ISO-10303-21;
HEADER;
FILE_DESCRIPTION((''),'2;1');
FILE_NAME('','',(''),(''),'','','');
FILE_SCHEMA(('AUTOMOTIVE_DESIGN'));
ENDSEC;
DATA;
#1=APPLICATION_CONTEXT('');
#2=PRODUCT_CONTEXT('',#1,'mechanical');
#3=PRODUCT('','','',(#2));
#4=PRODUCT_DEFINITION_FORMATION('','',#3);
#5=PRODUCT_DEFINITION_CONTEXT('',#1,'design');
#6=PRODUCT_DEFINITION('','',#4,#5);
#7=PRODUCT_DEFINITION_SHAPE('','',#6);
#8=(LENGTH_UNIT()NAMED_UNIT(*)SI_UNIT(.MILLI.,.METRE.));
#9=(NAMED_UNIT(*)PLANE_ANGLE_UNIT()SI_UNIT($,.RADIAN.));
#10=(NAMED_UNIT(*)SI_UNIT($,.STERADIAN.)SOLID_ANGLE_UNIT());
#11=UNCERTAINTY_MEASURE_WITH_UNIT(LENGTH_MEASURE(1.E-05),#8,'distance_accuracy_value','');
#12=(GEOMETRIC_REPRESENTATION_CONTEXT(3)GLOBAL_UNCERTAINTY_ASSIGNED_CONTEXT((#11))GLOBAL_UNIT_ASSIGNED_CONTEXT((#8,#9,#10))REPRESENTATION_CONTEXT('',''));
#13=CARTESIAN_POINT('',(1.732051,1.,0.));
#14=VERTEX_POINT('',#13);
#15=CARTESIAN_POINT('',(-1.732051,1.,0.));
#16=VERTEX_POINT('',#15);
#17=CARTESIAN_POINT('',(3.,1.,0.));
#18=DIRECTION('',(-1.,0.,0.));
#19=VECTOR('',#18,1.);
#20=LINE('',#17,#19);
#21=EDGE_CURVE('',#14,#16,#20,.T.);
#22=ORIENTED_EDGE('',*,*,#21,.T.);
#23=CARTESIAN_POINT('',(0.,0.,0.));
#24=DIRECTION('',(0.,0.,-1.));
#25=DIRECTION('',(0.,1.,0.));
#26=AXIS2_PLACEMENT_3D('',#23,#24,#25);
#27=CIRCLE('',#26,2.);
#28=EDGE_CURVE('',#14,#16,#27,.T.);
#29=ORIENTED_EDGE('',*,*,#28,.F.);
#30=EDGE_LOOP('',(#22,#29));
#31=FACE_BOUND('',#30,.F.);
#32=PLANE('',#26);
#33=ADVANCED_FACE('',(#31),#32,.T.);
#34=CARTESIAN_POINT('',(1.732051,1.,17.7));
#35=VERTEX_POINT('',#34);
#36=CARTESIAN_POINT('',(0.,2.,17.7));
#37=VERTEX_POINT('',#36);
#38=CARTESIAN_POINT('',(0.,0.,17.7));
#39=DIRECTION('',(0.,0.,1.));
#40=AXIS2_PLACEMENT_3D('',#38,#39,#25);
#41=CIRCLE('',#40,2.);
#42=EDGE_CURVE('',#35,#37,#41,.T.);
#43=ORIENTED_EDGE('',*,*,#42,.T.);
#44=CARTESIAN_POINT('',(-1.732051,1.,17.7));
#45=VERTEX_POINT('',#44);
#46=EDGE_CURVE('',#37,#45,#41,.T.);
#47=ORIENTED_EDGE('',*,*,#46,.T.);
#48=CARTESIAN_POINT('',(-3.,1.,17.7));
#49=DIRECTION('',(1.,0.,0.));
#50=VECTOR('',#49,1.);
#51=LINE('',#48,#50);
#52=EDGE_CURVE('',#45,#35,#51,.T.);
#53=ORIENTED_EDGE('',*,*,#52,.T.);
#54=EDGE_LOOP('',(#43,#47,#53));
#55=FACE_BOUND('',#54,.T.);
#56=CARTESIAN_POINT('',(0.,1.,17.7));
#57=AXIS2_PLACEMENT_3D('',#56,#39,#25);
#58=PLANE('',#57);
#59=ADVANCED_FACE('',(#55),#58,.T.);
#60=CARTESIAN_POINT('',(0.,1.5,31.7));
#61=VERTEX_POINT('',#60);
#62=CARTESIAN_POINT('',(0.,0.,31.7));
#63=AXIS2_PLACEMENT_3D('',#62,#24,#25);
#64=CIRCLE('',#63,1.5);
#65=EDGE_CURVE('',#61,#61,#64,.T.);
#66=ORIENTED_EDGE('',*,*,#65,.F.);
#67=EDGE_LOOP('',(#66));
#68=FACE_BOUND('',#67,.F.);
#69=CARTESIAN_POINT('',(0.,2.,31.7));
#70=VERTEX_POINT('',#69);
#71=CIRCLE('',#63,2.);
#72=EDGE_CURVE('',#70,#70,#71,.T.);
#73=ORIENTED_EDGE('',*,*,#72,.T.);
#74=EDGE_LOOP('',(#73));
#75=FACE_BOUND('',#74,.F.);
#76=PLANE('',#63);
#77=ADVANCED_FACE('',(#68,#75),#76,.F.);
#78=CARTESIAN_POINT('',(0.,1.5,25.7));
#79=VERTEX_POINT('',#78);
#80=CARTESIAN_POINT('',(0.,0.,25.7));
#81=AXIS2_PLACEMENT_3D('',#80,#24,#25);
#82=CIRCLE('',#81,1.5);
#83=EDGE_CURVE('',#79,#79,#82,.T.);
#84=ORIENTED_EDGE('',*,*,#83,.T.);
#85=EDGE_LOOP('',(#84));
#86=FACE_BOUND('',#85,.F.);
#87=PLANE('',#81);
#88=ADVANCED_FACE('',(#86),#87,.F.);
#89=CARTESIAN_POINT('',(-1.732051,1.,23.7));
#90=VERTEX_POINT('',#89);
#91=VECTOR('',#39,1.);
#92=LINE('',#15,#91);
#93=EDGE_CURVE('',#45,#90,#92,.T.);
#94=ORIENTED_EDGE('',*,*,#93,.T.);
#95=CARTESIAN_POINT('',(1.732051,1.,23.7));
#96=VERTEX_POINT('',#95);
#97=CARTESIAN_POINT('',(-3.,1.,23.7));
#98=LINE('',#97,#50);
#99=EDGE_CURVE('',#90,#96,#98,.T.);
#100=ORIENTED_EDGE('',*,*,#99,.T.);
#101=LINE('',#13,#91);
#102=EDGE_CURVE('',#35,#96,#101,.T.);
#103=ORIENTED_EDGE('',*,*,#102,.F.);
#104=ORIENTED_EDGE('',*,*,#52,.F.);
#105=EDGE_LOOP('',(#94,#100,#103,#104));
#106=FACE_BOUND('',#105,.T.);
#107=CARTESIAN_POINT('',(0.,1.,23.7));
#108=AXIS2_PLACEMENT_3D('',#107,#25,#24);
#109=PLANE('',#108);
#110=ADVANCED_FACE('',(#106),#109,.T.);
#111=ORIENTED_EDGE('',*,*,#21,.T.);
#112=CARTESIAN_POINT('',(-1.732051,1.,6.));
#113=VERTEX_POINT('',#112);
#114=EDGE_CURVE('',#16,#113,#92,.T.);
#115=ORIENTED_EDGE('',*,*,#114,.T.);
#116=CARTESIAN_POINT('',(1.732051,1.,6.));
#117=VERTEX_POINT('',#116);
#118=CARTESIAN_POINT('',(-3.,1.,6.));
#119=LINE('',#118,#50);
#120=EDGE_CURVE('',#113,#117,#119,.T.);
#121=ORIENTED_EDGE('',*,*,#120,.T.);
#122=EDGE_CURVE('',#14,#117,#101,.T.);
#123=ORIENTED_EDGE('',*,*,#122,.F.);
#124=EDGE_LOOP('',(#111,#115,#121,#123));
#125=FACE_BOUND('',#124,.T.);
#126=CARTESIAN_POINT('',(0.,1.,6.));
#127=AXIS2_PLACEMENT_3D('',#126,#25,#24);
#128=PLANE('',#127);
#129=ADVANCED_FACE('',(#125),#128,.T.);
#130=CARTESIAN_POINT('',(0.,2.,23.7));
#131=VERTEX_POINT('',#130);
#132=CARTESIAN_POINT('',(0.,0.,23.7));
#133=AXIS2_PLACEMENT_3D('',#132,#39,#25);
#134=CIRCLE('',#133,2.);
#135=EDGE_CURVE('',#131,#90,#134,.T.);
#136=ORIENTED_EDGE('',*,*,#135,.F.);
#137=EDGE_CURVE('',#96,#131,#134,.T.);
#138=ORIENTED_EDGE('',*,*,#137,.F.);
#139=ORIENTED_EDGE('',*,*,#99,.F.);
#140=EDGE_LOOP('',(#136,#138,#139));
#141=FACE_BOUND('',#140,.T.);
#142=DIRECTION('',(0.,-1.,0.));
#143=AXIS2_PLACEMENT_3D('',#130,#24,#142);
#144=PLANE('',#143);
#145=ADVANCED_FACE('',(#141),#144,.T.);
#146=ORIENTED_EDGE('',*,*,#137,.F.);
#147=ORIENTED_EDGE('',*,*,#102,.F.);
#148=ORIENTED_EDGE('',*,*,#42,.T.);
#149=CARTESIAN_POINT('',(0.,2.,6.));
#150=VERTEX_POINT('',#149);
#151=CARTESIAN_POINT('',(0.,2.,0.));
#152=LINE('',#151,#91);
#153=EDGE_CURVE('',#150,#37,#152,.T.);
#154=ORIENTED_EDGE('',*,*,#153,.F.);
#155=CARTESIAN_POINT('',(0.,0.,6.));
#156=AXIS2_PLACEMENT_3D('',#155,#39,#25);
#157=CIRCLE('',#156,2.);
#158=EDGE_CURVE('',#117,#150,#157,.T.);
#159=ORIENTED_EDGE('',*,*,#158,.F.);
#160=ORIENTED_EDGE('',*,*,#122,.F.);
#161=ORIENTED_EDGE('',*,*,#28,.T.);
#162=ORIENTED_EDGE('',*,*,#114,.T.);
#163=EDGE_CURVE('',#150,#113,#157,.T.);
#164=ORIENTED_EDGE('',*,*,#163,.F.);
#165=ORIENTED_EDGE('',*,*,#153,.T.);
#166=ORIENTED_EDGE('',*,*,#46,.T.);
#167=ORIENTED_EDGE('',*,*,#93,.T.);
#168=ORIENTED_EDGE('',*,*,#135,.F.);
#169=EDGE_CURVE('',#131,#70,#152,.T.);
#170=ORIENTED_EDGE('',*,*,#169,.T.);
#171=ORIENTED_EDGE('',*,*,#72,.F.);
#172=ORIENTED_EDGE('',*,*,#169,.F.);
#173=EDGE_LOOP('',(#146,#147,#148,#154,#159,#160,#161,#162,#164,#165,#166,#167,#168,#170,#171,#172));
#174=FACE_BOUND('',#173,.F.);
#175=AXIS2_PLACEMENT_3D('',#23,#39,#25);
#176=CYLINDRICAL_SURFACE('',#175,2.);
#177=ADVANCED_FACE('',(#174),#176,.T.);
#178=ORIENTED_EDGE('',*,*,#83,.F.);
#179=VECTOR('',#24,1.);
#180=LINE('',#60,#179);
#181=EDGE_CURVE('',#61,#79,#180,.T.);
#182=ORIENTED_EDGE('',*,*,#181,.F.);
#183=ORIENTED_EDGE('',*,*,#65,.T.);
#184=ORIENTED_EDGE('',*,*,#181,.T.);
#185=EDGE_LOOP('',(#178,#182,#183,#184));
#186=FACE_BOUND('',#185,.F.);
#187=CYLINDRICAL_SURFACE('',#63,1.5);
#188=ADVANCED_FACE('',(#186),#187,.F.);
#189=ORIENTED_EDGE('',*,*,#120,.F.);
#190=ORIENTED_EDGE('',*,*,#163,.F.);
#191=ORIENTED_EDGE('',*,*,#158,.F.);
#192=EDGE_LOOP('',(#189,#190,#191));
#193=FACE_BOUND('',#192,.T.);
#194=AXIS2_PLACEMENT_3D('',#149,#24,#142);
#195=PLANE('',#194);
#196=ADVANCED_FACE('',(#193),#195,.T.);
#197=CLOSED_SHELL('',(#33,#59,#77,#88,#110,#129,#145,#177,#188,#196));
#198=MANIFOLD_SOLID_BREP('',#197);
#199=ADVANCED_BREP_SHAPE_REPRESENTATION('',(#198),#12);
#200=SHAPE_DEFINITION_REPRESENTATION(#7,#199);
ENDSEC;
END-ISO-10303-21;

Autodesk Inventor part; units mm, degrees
ref_plane "YZ Plane" through (0, 0, 0) normal (1, 0, 0) x (0, 1, 0)
ref_plane "XZ Plane" through (0, 0, 0) normal (0, 1, 0) x (-1, 0, 0)
ref_plane "XY Plane" through (0, 0, 0) normal (0, 0, 1) x (1, 0, 0)
sketch "スケッチ1" plane through (0, 0, 0) normal (1, 0, 0) x (0, 1, 0)
  line L0 (0, 0) -> (2, 0)
  line L1 (2, 0) -> (2, 31.7)
  line L2 (2, 31.7) -> (1.5, 31.7)
  line L3 (1.5, 31.7) -> (1.5, 25.7)
  line L4 (1.5, 25.7) -> (0, 25.7)
  line L5 (0, 25.7) -> (0, 0)
  dimension "d0" = 2
  dimension "d1" = 31.7
  dimension "d2" = 0.5
  dimension "d3" = 6
revolve "回転1" add sketch "スケッチ1" angle 360 about axis through (0, 0, 25.7) along (0, 0, -1)
thread "ねじ1" size "M3x0.5" class "6H" standard "ANSI Metric M Profile" full length
sketch "スケッチ2" plane through (0, 0, 0) normal (1, 0, 0) x (0, 1, 0)
  line L0 (2, 31.7) -> (2, 0) projected
  line L1 (2, 0) -> (2, 6)
  line L2 (2, 6) -> (1, 6)
  line L3 (1, 6) -> (1, 0)
  line L4 (-2, 0) -> (2, 0) projected
  line L5 (1, 0) -> (2, 0)
  point P0 (0, 0)
  dimension "d7" = 6
  dimension "d8" = 1
extrude "押し出し1" cut sketch "スケッチ2" along normal mid plane 6
sketch "スケッチ3" plane through (0, 0, 0) normal (1, 0, 0) x (0, 1, 0)
  line L0 (2, 31.7) -> (2, 6) projected
  line L1 (2, 20.7) -> (2, 23.7)
  line L2 (2, 23.7) -> (1, 23.7)
  line L3 (1, 23.7) -> (1, 17.7)
  line L4 (1, 17.7) -> (2, 17.7)
  line L5 (2, 17.7) -> (2, 20.7)
  point P0 (0, 0)
  dimension "d11" = 3
  dimension "d12" = 1
  dimension "d13" = 6
extrude "押し出し2" cut sketch "スケッチ3" along normal mid plane 6
properties part number "shaft_31.7mm_Dcut" material "アルミニウム"
